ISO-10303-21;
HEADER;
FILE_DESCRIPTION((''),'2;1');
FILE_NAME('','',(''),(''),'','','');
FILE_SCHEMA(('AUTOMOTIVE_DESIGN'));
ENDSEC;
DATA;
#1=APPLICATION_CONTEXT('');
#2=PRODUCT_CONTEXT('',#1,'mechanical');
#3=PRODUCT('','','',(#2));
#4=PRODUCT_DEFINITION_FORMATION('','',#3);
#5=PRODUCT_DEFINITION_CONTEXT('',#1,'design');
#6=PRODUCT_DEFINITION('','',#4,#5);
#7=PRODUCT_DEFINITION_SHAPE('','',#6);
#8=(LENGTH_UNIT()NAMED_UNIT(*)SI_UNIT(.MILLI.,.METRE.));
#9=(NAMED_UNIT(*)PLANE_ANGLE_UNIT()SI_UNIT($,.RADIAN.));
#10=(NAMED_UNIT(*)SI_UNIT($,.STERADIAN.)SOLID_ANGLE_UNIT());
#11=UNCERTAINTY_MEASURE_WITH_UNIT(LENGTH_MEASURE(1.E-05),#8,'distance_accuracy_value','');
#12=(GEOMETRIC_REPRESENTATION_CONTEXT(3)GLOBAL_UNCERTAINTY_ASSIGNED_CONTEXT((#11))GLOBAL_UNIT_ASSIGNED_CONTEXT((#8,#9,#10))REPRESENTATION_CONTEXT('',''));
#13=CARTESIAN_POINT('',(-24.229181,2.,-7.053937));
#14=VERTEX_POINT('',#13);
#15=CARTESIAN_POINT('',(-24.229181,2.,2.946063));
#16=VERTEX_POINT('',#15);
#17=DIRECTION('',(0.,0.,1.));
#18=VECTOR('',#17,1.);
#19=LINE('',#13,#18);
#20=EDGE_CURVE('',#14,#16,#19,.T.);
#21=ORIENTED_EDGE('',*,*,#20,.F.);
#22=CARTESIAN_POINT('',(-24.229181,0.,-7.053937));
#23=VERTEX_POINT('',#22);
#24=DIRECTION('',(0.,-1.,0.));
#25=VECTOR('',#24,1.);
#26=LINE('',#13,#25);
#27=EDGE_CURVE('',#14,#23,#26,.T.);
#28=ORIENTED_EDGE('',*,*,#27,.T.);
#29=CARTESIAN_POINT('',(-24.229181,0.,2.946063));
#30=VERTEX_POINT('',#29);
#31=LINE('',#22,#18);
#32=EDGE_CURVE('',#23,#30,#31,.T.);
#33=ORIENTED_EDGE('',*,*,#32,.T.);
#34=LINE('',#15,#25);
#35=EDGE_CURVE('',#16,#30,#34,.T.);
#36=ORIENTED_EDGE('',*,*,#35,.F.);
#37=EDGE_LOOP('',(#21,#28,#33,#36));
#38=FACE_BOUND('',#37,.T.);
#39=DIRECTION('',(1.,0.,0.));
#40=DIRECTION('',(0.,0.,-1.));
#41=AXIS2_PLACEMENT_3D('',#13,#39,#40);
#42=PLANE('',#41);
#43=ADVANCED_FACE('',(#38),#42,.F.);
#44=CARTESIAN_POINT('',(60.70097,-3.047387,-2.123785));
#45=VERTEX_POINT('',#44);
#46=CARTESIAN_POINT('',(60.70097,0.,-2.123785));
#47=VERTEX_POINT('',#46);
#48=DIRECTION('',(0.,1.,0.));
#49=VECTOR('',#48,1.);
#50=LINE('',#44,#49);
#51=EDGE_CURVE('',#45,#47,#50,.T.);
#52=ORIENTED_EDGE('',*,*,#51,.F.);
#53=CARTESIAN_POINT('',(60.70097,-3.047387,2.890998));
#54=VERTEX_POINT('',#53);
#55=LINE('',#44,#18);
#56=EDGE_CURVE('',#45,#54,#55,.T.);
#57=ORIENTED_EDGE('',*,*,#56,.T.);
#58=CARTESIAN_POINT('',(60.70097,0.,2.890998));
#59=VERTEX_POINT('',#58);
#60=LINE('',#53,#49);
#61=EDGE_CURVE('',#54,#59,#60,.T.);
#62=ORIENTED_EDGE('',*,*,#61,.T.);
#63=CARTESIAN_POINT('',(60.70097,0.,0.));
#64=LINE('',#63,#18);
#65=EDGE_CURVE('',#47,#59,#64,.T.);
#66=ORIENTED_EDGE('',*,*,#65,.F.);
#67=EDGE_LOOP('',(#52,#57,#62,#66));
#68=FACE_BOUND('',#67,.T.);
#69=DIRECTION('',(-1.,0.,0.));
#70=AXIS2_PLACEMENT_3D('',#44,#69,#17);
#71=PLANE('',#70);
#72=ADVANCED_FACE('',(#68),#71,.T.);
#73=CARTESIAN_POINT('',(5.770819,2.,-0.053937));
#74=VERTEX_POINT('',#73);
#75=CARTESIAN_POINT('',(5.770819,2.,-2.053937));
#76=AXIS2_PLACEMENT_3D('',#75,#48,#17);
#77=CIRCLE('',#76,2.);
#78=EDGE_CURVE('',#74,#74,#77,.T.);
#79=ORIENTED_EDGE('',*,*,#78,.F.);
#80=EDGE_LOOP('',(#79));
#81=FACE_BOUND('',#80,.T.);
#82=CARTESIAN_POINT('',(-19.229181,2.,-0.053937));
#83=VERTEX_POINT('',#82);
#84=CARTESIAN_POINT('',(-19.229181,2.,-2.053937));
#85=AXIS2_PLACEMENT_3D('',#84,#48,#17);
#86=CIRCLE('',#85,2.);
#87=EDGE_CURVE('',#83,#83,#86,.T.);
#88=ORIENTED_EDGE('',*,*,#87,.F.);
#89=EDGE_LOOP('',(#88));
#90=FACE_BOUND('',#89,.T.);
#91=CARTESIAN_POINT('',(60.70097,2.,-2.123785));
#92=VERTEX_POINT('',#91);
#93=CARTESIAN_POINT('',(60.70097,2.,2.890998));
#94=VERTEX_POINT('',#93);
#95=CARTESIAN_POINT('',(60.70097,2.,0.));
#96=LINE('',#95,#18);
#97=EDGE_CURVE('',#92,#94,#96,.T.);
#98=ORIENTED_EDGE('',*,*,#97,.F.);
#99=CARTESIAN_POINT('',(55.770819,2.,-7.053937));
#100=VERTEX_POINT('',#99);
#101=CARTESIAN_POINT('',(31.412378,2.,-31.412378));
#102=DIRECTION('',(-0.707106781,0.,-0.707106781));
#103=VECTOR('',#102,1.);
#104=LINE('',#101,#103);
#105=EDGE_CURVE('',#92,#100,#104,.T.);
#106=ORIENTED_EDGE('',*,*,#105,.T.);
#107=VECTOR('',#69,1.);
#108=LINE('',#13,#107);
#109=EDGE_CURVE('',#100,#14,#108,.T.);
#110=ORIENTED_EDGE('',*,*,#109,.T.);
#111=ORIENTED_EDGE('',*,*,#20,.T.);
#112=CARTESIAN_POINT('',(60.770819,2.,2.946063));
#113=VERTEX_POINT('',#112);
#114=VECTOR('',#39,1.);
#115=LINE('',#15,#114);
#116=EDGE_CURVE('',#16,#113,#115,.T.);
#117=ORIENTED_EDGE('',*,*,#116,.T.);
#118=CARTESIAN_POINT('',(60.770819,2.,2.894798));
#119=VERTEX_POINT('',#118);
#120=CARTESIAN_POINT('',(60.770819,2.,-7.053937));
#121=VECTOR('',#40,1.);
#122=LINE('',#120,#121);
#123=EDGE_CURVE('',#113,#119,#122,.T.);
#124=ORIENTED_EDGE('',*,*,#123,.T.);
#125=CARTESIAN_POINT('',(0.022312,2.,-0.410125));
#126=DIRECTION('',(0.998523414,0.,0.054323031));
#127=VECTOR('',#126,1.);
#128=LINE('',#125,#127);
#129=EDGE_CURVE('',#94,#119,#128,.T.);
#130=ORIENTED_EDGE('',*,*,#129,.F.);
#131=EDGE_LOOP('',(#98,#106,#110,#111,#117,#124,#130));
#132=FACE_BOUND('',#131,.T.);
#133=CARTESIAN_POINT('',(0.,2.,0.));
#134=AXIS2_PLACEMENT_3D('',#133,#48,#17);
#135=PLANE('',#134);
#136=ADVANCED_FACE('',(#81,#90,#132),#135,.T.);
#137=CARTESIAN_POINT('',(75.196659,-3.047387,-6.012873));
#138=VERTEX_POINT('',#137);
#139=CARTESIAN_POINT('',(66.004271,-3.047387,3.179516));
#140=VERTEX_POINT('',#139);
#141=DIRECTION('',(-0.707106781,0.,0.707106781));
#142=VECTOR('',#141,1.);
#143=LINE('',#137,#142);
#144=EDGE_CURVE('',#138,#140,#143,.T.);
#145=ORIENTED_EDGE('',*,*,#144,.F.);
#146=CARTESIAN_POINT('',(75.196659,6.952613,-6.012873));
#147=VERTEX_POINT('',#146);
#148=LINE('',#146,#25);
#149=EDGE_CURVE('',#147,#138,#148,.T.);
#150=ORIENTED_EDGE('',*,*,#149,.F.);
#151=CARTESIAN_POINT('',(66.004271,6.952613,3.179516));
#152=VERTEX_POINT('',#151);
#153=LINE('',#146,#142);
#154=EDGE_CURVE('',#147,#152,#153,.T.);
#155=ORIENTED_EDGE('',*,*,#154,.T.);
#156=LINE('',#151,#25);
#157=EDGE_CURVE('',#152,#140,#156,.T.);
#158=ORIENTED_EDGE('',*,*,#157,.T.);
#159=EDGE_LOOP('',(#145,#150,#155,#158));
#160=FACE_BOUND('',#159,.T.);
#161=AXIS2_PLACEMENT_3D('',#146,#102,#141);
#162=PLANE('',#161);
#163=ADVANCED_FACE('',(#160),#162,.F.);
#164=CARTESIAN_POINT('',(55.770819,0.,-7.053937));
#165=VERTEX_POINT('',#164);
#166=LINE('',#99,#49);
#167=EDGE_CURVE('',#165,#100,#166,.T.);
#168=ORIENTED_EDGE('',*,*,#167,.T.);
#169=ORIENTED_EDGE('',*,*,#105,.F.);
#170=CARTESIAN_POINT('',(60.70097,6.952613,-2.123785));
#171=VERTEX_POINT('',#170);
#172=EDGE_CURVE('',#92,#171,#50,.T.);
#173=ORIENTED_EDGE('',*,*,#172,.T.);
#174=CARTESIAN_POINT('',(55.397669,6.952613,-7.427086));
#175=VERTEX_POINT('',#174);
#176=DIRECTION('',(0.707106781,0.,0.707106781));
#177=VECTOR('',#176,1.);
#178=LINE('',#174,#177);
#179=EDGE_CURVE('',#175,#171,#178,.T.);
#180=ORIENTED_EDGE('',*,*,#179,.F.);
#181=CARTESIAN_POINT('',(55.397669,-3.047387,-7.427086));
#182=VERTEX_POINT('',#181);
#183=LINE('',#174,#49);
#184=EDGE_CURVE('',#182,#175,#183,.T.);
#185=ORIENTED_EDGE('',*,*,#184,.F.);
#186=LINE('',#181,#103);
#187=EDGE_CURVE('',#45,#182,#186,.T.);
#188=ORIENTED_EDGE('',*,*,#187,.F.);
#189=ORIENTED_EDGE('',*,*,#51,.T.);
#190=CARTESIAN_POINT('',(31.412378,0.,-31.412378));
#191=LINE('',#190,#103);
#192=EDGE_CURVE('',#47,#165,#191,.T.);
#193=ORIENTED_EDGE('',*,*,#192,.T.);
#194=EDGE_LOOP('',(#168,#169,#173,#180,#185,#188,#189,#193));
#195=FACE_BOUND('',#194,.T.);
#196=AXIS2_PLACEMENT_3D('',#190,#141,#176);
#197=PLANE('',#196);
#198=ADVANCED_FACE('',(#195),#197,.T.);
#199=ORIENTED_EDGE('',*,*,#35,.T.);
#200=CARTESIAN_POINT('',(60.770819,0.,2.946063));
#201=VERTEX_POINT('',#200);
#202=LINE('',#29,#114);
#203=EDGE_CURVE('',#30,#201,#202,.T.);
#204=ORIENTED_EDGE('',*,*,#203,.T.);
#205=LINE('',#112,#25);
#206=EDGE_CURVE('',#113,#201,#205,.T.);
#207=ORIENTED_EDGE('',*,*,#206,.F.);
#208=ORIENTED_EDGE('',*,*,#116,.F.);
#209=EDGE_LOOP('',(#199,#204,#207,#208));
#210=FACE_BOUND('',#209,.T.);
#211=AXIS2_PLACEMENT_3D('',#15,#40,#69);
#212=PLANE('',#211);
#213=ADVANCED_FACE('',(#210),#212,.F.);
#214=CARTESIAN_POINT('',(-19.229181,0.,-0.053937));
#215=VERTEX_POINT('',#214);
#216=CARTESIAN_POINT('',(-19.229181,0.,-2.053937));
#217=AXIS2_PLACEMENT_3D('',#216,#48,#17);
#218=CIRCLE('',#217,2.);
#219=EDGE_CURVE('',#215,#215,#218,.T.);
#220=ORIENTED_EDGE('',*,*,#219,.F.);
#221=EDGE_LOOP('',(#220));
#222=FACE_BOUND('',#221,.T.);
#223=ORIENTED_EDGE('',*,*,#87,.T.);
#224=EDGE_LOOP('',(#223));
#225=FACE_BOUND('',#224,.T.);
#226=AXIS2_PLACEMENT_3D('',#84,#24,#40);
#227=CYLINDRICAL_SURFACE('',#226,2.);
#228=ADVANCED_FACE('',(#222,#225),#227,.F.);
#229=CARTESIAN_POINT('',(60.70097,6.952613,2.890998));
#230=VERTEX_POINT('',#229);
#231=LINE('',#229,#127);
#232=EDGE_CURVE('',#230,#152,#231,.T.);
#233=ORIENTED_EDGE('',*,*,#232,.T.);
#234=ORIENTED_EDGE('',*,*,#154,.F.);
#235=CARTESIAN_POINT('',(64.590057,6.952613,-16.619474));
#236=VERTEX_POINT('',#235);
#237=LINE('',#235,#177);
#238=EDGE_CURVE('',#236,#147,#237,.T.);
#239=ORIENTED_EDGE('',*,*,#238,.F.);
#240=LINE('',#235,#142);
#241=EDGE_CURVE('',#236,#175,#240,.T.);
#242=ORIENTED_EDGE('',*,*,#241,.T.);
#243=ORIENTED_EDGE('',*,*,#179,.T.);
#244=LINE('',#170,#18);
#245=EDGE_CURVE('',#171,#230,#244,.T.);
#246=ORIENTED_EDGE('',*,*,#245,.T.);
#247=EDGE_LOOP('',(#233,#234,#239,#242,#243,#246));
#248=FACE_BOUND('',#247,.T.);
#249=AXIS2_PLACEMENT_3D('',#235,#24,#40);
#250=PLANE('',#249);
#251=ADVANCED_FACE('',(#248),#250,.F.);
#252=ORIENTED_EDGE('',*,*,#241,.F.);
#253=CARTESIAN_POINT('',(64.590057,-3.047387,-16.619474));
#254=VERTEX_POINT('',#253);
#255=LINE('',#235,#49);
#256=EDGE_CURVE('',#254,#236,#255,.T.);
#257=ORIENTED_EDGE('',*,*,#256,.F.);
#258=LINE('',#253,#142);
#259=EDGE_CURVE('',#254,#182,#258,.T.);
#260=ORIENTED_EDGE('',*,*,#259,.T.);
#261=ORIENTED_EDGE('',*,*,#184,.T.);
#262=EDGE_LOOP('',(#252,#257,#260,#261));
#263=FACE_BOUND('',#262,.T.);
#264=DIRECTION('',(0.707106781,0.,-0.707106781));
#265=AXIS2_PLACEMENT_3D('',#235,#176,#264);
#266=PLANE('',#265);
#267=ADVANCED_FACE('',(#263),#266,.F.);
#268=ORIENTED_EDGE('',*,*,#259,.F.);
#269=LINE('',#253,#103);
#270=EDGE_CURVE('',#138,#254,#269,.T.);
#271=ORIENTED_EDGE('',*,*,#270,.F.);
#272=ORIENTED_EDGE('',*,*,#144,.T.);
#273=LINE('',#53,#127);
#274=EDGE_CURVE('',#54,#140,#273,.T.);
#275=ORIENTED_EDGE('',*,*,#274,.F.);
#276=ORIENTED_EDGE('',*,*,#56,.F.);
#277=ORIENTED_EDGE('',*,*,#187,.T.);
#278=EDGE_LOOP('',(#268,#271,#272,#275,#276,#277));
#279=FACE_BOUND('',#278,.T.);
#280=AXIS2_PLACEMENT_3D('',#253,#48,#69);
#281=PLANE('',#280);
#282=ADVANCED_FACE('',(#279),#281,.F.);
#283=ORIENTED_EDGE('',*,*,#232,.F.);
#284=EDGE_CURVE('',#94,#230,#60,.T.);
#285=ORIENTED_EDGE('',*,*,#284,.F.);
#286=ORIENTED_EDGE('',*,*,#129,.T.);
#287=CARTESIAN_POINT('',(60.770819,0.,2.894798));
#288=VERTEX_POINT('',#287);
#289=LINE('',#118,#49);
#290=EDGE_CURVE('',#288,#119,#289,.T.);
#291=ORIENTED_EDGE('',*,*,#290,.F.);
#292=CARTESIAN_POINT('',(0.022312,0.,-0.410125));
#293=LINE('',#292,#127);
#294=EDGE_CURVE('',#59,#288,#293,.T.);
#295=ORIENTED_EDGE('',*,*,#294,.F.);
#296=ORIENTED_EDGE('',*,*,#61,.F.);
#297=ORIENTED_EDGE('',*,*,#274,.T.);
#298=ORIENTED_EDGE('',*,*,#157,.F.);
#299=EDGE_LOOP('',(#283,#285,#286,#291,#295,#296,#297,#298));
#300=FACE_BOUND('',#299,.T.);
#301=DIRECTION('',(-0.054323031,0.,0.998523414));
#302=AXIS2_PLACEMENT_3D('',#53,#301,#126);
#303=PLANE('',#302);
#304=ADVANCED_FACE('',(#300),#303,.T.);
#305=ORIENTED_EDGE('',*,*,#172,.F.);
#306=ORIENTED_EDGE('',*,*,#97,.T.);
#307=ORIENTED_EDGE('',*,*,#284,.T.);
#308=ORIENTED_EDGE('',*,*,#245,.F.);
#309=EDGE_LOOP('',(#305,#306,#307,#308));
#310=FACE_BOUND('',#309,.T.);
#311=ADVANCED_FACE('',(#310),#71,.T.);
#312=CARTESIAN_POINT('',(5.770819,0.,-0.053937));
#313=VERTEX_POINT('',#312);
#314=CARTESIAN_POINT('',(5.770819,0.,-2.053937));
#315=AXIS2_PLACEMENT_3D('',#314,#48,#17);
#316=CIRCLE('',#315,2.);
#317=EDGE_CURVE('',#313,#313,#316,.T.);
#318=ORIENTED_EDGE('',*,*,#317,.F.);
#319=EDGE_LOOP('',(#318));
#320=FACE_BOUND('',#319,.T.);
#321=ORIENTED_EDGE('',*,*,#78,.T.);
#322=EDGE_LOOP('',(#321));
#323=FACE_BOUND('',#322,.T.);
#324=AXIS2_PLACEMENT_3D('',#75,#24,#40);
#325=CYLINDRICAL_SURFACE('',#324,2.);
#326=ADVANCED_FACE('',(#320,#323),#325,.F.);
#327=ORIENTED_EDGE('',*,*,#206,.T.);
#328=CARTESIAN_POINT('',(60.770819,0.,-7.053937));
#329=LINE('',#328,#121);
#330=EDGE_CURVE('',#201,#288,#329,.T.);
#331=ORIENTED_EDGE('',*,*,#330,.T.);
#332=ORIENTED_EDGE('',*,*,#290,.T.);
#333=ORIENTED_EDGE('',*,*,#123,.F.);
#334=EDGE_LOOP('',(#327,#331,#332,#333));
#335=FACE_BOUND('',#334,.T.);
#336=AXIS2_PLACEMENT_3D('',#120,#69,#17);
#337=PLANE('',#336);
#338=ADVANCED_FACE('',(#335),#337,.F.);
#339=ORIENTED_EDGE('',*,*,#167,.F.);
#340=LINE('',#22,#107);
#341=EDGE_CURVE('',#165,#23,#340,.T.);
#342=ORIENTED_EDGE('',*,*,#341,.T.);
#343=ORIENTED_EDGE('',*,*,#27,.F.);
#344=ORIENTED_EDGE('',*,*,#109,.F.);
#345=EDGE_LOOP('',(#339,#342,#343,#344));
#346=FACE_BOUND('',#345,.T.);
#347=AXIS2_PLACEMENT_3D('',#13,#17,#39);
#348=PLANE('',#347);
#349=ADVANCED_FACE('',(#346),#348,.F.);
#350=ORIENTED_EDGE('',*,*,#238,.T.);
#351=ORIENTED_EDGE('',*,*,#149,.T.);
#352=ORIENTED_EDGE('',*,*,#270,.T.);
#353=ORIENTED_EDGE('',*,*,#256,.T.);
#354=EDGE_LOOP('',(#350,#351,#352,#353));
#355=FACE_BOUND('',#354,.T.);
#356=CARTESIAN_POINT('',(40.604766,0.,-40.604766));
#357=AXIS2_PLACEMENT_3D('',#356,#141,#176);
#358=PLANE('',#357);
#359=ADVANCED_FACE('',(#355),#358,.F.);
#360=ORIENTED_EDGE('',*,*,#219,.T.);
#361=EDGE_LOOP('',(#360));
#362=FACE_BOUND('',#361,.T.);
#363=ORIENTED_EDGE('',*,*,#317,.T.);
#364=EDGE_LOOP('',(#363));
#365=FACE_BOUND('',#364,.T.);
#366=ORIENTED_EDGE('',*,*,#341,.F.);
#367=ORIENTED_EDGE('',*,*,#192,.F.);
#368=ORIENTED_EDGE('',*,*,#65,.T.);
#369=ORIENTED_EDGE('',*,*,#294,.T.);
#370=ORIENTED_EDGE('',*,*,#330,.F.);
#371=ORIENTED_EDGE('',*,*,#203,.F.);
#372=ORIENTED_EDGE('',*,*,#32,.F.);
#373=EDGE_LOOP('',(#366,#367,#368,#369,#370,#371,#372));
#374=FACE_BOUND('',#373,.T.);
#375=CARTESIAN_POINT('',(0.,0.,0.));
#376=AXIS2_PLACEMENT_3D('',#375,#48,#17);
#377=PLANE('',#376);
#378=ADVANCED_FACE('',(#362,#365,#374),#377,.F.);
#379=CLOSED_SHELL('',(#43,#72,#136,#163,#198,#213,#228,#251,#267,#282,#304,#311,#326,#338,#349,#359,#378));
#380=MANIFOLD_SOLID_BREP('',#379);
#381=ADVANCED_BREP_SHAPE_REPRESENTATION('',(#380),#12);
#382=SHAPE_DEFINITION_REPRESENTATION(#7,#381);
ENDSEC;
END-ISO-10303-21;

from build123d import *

# Parameters (mm, degrees)
SKETCH1_W           = 85
SKETCH1_H           = 10
SKETCH1_R           = 2
BOSS_EXTRUDE1_DEPTH = 2
CUT_EXTRUDE1_DEPTH  = 10
SKETCH3_W           = 15
SKETCH3_H           = 10
BOSS_EXTRUDE2_DEPTH = 13
BOSS_EXTRUDE3_DEPTH = 10


with BuildPart() as part:
    # Sketch1 → Boss-Extrude1 (new body)
    with BuildSketch(Plane(origin=(0, 0, 0), x_dir=(1, 0, 0), z_dir=(0, 1, 0))):
        with Locations((18.270818553, 2.053936679)):
            Rectangle(SKETCH1_W, SKETCH1_H)
        with Locations(Location((-19.229181447, 2.053936679, 0), (0, 0, 270))):
            Circle(SKETCH1_R, mode=Mode.SUBTRACT)
        with Locations(Location((5.770818553, 2.053936679, 0), (0, 0, 270))):
            Circle(SKETCH1_R, mode=Mode.SUBTRACT)
    extrude(amount=BOSS_EXTRUDE1_DEPTH)

    # Sketch2 → Cut-Extrude1 (cut)
    with BuildSketch(Plane(origin=(0, 2, 0), x_dir=(1, 0, 0), z_dir=(0, 1, 0))):
        Polygon((55.770818553, 7.053936679), (60.770818553, 2.053936679), (60.770818553, 7.053936679), align=None)
    extrude(amount=-CUT_EXTRUDE1_DEPTH, mode=Mode.SUBTRACT)

    # Sketch3 → Boss-Extrude2 (add)
    with BuildSketch(Plane(origin=(31.412377616, 0, -31.412377616), x_dir=(-0.7071067811865488, 0, -0.7071067811865462), z_dir=(0.7071067811865462, 0, -0.7071067811865488))):
        with Locations((-41.420324571, 1.952612945)):
            Rectangle(SKETCH3_W, SKETCH3_H)
    extrude(amount=BOSS_EXTRUDE2_DEPTH)

    # Sketch4 → Boss-Extrude3 (add)
    with BuildSketch(Plane(origin=(0, 6.952612945, 0), x_dir=(1, 0, 0), z_dir=(0, 1, 0))):
        Polygon((60.70097, 2.123785233), (60.70097, -2.890998226), (66.004270859, -3.179515626), align=None)
    extrude(amount=-BOSS_EXTRUDE3_DEPTH)


solid = part.part
